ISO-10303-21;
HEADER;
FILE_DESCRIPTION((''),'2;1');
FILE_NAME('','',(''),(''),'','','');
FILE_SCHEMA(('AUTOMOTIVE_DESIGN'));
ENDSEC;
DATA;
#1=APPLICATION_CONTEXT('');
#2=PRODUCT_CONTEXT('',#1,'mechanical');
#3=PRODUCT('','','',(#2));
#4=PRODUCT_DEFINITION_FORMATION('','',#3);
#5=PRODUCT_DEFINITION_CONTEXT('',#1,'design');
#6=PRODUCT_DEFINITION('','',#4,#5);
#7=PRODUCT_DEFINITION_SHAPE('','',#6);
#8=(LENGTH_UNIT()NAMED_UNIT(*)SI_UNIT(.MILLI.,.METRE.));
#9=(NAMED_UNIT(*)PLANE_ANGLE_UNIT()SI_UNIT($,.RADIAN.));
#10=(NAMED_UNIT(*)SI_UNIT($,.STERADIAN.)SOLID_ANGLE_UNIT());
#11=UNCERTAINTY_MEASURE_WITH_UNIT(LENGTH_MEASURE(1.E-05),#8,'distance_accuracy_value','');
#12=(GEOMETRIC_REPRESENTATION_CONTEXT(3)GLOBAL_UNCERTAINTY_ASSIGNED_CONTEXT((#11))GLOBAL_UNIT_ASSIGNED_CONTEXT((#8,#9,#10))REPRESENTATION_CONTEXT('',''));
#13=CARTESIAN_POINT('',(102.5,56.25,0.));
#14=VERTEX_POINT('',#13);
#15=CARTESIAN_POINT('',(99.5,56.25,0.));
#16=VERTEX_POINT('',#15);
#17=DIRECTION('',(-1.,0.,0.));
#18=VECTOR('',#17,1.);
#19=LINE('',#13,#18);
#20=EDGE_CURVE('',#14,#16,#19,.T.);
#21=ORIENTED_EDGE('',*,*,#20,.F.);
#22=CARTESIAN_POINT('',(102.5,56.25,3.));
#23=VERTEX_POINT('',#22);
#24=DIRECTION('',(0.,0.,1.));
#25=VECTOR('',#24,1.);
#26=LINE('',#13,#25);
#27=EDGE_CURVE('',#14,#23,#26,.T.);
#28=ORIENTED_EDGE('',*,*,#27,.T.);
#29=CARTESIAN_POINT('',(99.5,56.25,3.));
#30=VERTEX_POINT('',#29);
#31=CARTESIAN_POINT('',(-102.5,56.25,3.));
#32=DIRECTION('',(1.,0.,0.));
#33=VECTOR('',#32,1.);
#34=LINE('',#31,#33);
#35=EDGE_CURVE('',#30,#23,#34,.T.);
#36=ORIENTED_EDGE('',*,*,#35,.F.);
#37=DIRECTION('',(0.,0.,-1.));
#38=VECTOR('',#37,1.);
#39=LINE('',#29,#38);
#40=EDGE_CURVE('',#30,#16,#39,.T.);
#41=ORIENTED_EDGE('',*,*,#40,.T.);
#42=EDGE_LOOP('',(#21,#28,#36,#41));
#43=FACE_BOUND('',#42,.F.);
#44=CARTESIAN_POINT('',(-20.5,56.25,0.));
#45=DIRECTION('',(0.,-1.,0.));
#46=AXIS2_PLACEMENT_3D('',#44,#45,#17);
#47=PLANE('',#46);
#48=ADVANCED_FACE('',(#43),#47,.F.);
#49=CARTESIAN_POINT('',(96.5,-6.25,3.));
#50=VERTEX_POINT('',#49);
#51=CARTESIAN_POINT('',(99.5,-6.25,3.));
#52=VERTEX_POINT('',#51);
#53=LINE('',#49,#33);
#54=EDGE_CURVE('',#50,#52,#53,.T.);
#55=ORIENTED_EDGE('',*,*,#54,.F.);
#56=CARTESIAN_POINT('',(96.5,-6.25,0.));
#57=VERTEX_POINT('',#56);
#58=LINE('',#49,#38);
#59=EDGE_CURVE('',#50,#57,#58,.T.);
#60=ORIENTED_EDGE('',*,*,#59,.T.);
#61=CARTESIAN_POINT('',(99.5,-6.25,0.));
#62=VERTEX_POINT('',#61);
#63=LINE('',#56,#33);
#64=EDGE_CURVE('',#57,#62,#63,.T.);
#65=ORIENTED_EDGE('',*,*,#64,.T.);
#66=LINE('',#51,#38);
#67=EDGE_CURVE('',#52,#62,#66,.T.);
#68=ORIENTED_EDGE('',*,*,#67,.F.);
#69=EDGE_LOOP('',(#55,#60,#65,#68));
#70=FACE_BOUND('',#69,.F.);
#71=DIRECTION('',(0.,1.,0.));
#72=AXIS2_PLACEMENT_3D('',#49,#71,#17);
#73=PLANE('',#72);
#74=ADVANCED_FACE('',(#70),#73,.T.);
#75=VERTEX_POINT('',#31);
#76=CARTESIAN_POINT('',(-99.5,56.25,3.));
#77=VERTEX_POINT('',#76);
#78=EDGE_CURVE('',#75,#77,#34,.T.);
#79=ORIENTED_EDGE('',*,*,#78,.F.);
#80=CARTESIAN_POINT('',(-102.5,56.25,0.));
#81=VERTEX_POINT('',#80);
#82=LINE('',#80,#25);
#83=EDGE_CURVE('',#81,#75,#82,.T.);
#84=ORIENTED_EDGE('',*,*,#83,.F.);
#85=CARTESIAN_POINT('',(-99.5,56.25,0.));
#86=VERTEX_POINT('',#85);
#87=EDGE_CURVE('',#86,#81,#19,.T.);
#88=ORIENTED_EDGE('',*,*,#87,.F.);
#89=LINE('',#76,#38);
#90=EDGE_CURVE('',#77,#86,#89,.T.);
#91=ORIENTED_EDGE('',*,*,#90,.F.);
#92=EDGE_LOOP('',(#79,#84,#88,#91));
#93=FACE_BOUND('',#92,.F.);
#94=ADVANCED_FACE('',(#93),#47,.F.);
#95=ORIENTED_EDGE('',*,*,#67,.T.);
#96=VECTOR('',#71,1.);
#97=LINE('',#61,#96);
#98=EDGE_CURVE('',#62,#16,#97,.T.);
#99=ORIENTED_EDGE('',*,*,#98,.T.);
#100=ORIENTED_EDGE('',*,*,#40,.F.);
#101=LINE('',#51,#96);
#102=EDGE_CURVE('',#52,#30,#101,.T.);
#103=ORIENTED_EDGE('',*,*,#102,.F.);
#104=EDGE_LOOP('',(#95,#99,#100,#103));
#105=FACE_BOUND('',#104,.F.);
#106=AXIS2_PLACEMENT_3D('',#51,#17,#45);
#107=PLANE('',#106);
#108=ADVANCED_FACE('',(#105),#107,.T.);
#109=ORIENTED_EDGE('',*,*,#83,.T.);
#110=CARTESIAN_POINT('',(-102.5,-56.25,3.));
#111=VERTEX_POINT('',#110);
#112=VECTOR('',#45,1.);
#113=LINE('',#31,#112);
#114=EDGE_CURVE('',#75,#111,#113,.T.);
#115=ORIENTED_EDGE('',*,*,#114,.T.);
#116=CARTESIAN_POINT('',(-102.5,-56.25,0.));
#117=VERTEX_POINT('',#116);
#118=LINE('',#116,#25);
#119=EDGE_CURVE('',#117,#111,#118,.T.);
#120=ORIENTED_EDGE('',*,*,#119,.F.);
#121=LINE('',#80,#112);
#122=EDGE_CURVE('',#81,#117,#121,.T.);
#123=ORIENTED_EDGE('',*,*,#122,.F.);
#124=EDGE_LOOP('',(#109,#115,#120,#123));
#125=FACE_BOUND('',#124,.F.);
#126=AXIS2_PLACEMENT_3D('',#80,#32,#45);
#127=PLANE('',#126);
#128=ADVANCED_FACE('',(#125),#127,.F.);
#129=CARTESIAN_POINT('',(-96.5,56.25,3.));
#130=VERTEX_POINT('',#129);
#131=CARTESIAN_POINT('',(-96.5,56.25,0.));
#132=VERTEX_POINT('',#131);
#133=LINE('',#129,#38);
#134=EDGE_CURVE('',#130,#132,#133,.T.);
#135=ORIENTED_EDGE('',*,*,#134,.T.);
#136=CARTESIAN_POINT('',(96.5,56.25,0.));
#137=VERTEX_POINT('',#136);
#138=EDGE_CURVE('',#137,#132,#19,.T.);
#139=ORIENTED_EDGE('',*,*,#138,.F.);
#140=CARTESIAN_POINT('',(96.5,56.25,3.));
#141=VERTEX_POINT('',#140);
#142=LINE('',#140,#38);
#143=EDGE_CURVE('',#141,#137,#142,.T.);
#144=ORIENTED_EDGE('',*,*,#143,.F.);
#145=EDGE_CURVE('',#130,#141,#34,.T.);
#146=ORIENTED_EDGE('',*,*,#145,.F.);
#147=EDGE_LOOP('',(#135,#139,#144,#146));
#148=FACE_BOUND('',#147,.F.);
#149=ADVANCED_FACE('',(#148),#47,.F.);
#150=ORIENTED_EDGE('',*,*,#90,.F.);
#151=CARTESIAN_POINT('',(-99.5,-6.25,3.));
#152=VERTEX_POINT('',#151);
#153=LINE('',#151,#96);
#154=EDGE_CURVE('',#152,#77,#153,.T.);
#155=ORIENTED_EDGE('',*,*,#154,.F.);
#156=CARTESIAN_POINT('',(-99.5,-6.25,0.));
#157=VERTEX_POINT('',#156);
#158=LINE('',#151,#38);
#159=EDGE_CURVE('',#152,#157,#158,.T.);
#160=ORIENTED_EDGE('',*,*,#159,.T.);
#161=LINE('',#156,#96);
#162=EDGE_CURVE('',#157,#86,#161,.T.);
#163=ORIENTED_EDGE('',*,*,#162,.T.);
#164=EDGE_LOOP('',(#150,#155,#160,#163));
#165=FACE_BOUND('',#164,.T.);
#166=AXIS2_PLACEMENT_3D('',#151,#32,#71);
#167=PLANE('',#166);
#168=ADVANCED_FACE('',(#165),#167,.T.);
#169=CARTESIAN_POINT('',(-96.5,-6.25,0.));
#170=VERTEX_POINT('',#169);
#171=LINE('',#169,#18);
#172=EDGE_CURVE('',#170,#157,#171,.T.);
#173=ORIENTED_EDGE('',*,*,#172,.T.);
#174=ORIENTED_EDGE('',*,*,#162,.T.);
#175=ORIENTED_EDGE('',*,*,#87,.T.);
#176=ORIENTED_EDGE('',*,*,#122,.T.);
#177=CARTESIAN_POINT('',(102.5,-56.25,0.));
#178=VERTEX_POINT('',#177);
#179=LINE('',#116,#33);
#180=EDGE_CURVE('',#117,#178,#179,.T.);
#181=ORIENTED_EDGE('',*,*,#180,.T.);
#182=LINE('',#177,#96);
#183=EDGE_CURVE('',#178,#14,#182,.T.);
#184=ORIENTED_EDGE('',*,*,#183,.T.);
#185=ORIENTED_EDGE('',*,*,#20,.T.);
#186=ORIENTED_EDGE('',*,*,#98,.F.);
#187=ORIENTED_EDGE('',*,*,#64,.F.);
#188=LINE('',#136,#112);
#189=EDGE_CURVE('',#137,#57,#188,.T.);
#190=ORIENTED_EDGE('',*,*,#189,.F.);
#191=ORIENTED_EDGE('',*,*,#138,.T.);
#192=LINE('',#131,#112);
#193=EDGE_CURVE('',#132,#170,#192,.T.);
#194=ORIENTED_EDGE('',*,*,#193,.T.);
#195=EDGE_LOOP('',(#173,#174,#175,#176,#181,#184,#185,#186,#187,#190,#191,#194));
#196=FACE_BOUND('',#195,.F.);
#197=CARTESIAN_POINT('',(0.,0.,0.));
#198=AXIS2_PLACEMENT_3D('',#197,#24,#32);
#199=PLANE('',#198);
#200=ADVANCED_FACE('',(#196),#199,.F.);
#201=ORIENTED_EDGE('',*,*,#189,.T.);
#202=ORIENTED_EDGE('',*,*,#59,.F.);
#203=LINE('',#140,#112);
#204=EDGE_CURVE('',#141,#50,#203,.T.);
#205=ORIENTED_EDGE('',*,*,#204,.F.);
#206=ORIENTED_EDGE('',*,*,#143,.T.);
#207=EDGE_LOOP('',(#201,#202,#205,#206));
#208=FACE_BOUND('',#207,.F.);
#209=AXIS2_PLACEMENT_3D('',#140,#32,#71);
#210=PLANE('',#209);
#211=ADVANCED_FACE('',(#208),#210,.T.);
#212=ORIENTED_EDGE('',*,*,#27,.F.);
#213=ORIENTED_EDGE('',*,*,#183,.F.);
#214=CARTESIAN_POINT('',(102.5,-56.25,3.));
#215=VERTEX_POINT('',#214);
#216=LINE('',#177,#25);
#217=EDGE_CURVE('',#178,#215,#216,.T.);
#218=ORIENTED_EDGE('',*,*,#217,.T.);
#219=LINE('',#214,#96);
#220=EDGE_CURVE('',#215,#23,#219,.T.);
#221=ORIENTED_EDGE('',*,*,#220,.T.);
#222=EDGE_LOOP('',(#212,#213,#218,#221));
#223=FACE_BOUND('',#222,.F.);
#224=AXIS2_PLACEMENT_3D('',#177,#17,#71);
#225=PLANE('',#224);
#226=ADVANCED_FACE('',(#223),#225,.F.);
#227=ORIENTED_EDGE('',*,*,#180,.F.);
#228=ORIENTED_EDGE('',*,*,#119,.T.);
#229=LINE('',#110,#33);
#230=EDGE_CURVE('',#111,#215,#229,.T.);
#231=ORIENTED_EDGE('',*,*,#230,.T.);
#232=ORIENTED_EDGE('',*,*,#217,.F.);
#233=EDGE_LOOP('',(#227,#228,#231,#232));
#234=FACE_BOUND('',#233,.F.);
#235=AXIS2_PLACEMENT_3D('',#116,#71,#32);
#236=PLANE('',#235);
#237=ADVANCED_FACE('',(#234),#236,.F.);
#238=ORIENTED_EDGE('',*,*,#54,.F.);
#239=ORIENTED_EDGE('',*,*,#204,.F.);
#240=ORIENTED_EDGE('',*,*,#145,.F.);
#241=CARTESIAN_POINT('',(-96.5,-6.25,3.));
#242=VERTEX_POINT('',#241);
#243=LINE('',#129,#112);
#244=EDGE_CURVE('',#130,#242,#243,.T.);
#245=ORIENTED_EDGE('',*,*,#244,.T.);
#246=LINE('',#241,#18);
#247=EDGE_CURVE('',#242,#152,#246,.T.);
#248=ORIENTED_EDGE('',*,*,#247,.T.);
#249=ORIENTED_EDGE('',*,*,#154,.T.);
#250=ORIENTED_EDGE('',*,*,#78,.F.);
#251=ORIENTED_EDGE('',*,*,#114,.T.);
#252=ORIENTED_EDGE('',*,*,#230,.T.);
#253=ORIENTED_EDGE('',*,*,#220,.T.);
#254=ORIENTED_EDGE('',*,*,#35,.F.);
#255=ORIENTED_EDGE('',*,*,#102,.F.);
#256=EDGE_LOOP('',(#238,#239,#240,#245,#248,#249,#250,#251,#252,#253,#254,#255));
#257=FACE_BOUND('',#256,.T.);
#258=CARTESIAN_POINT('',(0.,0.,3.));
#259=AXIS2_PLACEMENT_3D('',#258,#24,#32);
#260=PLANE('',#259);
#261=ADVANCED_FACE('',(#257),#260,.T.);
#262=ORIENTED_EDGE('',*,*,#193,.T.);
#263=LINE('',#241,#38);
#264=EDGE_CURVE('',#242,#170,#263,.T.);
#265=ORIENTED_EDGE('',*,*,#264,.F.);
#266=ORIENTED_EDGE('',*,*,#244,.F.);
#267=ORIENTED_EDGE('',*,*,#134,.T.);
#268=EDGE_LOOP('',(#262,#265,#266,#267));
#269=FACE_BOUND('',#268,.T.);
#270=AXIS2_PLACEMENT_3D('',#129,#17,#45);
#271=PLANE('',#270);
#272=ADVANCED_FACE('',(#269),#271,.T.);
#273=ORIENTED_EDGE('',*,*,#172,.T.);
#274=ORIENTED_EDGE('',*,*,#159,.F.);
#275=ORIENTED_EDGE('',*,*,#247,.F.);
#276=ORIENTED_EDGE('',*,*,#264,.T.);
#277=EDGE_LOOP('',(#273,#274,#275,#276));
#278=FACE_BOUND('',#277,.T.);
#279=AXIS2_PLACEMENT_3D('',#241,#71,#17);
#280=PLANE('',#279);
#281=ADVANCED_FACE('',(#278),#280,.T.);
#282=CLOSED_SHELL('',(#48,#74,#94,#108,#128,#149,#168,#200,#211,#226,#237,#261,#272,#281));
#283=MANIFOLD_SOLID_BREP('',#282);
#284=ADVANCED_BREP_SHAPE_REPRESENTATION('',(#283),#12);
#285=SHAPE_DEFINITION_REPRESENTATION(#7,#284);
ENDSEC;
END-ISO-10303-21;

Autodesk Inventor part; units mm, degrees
ref_plane "YZ Plane" through (0, 0, 0) normal (1, 0, 0) x (0, 1, 0)
ref_plane "XZ Plane" through (0, 0, 0) normal (0, 1, 0) x (-1, 0, 0)
ref_plane "XY Plane" through (0, 0, 0) normal (0, 0, 1) x (1, 0, 0)
sketch "Sketch1" plane through (0, 0, 0) normal (0, 0, 1) x (1, 0, 0)
  line L0 (-102.5, -56.25) -> (102.5, -56.25)
  line L1 (102.5, -56.25) -> (102.5, 56.25)
  line L2 (102.5, 56.25) -> (-102.5, 56.25)
  line L3 (-102.5, 56.25) -> (-102.5, -56.25)
  line L4 (-102.5, -56.25) -> (102.5, 56.25) construction
  line L5 (102.5, -56.25) -> (-102.5, 56.25) construction
  line L6 (-20.5, 56.25) -> (20.5, 56.25)
  line L7 (20.5, 56.25) -> (20.5, 50.25)
  line L8 (20.5, 50.25) -> (-20.5, 50.25)
  line L9 (-20.5, 50.25) -> (-20.5, 56.25)
  point P0 (0, 0)
  point P1 (0, 56.25)
  point P2 (0, 56.25)
  point P3 (20.5, 56.25)
  dimension "d0" = 41
  dimension "d1" = 6
  dimension "d2" = 205
  dimension "d3" = 112.5
extrude "Plate1" add sketch "Sketch1" along normal blind 3
sketch "Sketch2" plane through (0, 0, 3) normal (0, 0, 1) x (1, 0, 0)
  line L0 (-102.5, 56.25) -> (102.5, 56.25) projected
  line L1 (-99.5, 56.25) -> (-96.5, 56.25)
  line L2 (-96.5, 56.25) -> (-96.5, -6.25)
  line L3 (-96.5, -6.25) -> (-99.5, -6.25)
  line L4 (-99.5, -6.25) -> (-99.5, 56.25)
  line L5 (-102.5, -56.25) -> (-102.5, 56.25) projected
  line L6 (102.5, -56.25) -> (-102.5, -56.25) projected
  point P0 (0, 0)
  point P1 (-20.5, 56.25)
  dimension "d5" = 3
  dimension "d6" = 3
  dimension "d8" = 50
extrude "Cut1" cut sketch "Sketch2" against normal blind 3
mirror "Mirror1" about plane through (0, 0, 0) normal (1, 0, 0) of "Cut1"
equation "\"d9\" = Thickness"
equation "\"d4\" = Thickness"
equation "\"BendRadius\" = Thickness"
equation "\"BendReliefWidth\" = Thickness"
equation "\"BendReliefDepth\" = 0.5 * Thickness"
equation "\"CornerReliefSize\" = 4 * Thickness"
equation "\"MinimumRemnant\" = 2 * Thickness"
equation "\"TransitionRadius\" = BendRadius"
equation "\"JacobiRadiusSize\" = BendRadius"
equation "\"GapSize\" = Thickness"
equation "\"Thickness\" = 3"
properties part number "Finishing Sheets .2  ( Upper )"
